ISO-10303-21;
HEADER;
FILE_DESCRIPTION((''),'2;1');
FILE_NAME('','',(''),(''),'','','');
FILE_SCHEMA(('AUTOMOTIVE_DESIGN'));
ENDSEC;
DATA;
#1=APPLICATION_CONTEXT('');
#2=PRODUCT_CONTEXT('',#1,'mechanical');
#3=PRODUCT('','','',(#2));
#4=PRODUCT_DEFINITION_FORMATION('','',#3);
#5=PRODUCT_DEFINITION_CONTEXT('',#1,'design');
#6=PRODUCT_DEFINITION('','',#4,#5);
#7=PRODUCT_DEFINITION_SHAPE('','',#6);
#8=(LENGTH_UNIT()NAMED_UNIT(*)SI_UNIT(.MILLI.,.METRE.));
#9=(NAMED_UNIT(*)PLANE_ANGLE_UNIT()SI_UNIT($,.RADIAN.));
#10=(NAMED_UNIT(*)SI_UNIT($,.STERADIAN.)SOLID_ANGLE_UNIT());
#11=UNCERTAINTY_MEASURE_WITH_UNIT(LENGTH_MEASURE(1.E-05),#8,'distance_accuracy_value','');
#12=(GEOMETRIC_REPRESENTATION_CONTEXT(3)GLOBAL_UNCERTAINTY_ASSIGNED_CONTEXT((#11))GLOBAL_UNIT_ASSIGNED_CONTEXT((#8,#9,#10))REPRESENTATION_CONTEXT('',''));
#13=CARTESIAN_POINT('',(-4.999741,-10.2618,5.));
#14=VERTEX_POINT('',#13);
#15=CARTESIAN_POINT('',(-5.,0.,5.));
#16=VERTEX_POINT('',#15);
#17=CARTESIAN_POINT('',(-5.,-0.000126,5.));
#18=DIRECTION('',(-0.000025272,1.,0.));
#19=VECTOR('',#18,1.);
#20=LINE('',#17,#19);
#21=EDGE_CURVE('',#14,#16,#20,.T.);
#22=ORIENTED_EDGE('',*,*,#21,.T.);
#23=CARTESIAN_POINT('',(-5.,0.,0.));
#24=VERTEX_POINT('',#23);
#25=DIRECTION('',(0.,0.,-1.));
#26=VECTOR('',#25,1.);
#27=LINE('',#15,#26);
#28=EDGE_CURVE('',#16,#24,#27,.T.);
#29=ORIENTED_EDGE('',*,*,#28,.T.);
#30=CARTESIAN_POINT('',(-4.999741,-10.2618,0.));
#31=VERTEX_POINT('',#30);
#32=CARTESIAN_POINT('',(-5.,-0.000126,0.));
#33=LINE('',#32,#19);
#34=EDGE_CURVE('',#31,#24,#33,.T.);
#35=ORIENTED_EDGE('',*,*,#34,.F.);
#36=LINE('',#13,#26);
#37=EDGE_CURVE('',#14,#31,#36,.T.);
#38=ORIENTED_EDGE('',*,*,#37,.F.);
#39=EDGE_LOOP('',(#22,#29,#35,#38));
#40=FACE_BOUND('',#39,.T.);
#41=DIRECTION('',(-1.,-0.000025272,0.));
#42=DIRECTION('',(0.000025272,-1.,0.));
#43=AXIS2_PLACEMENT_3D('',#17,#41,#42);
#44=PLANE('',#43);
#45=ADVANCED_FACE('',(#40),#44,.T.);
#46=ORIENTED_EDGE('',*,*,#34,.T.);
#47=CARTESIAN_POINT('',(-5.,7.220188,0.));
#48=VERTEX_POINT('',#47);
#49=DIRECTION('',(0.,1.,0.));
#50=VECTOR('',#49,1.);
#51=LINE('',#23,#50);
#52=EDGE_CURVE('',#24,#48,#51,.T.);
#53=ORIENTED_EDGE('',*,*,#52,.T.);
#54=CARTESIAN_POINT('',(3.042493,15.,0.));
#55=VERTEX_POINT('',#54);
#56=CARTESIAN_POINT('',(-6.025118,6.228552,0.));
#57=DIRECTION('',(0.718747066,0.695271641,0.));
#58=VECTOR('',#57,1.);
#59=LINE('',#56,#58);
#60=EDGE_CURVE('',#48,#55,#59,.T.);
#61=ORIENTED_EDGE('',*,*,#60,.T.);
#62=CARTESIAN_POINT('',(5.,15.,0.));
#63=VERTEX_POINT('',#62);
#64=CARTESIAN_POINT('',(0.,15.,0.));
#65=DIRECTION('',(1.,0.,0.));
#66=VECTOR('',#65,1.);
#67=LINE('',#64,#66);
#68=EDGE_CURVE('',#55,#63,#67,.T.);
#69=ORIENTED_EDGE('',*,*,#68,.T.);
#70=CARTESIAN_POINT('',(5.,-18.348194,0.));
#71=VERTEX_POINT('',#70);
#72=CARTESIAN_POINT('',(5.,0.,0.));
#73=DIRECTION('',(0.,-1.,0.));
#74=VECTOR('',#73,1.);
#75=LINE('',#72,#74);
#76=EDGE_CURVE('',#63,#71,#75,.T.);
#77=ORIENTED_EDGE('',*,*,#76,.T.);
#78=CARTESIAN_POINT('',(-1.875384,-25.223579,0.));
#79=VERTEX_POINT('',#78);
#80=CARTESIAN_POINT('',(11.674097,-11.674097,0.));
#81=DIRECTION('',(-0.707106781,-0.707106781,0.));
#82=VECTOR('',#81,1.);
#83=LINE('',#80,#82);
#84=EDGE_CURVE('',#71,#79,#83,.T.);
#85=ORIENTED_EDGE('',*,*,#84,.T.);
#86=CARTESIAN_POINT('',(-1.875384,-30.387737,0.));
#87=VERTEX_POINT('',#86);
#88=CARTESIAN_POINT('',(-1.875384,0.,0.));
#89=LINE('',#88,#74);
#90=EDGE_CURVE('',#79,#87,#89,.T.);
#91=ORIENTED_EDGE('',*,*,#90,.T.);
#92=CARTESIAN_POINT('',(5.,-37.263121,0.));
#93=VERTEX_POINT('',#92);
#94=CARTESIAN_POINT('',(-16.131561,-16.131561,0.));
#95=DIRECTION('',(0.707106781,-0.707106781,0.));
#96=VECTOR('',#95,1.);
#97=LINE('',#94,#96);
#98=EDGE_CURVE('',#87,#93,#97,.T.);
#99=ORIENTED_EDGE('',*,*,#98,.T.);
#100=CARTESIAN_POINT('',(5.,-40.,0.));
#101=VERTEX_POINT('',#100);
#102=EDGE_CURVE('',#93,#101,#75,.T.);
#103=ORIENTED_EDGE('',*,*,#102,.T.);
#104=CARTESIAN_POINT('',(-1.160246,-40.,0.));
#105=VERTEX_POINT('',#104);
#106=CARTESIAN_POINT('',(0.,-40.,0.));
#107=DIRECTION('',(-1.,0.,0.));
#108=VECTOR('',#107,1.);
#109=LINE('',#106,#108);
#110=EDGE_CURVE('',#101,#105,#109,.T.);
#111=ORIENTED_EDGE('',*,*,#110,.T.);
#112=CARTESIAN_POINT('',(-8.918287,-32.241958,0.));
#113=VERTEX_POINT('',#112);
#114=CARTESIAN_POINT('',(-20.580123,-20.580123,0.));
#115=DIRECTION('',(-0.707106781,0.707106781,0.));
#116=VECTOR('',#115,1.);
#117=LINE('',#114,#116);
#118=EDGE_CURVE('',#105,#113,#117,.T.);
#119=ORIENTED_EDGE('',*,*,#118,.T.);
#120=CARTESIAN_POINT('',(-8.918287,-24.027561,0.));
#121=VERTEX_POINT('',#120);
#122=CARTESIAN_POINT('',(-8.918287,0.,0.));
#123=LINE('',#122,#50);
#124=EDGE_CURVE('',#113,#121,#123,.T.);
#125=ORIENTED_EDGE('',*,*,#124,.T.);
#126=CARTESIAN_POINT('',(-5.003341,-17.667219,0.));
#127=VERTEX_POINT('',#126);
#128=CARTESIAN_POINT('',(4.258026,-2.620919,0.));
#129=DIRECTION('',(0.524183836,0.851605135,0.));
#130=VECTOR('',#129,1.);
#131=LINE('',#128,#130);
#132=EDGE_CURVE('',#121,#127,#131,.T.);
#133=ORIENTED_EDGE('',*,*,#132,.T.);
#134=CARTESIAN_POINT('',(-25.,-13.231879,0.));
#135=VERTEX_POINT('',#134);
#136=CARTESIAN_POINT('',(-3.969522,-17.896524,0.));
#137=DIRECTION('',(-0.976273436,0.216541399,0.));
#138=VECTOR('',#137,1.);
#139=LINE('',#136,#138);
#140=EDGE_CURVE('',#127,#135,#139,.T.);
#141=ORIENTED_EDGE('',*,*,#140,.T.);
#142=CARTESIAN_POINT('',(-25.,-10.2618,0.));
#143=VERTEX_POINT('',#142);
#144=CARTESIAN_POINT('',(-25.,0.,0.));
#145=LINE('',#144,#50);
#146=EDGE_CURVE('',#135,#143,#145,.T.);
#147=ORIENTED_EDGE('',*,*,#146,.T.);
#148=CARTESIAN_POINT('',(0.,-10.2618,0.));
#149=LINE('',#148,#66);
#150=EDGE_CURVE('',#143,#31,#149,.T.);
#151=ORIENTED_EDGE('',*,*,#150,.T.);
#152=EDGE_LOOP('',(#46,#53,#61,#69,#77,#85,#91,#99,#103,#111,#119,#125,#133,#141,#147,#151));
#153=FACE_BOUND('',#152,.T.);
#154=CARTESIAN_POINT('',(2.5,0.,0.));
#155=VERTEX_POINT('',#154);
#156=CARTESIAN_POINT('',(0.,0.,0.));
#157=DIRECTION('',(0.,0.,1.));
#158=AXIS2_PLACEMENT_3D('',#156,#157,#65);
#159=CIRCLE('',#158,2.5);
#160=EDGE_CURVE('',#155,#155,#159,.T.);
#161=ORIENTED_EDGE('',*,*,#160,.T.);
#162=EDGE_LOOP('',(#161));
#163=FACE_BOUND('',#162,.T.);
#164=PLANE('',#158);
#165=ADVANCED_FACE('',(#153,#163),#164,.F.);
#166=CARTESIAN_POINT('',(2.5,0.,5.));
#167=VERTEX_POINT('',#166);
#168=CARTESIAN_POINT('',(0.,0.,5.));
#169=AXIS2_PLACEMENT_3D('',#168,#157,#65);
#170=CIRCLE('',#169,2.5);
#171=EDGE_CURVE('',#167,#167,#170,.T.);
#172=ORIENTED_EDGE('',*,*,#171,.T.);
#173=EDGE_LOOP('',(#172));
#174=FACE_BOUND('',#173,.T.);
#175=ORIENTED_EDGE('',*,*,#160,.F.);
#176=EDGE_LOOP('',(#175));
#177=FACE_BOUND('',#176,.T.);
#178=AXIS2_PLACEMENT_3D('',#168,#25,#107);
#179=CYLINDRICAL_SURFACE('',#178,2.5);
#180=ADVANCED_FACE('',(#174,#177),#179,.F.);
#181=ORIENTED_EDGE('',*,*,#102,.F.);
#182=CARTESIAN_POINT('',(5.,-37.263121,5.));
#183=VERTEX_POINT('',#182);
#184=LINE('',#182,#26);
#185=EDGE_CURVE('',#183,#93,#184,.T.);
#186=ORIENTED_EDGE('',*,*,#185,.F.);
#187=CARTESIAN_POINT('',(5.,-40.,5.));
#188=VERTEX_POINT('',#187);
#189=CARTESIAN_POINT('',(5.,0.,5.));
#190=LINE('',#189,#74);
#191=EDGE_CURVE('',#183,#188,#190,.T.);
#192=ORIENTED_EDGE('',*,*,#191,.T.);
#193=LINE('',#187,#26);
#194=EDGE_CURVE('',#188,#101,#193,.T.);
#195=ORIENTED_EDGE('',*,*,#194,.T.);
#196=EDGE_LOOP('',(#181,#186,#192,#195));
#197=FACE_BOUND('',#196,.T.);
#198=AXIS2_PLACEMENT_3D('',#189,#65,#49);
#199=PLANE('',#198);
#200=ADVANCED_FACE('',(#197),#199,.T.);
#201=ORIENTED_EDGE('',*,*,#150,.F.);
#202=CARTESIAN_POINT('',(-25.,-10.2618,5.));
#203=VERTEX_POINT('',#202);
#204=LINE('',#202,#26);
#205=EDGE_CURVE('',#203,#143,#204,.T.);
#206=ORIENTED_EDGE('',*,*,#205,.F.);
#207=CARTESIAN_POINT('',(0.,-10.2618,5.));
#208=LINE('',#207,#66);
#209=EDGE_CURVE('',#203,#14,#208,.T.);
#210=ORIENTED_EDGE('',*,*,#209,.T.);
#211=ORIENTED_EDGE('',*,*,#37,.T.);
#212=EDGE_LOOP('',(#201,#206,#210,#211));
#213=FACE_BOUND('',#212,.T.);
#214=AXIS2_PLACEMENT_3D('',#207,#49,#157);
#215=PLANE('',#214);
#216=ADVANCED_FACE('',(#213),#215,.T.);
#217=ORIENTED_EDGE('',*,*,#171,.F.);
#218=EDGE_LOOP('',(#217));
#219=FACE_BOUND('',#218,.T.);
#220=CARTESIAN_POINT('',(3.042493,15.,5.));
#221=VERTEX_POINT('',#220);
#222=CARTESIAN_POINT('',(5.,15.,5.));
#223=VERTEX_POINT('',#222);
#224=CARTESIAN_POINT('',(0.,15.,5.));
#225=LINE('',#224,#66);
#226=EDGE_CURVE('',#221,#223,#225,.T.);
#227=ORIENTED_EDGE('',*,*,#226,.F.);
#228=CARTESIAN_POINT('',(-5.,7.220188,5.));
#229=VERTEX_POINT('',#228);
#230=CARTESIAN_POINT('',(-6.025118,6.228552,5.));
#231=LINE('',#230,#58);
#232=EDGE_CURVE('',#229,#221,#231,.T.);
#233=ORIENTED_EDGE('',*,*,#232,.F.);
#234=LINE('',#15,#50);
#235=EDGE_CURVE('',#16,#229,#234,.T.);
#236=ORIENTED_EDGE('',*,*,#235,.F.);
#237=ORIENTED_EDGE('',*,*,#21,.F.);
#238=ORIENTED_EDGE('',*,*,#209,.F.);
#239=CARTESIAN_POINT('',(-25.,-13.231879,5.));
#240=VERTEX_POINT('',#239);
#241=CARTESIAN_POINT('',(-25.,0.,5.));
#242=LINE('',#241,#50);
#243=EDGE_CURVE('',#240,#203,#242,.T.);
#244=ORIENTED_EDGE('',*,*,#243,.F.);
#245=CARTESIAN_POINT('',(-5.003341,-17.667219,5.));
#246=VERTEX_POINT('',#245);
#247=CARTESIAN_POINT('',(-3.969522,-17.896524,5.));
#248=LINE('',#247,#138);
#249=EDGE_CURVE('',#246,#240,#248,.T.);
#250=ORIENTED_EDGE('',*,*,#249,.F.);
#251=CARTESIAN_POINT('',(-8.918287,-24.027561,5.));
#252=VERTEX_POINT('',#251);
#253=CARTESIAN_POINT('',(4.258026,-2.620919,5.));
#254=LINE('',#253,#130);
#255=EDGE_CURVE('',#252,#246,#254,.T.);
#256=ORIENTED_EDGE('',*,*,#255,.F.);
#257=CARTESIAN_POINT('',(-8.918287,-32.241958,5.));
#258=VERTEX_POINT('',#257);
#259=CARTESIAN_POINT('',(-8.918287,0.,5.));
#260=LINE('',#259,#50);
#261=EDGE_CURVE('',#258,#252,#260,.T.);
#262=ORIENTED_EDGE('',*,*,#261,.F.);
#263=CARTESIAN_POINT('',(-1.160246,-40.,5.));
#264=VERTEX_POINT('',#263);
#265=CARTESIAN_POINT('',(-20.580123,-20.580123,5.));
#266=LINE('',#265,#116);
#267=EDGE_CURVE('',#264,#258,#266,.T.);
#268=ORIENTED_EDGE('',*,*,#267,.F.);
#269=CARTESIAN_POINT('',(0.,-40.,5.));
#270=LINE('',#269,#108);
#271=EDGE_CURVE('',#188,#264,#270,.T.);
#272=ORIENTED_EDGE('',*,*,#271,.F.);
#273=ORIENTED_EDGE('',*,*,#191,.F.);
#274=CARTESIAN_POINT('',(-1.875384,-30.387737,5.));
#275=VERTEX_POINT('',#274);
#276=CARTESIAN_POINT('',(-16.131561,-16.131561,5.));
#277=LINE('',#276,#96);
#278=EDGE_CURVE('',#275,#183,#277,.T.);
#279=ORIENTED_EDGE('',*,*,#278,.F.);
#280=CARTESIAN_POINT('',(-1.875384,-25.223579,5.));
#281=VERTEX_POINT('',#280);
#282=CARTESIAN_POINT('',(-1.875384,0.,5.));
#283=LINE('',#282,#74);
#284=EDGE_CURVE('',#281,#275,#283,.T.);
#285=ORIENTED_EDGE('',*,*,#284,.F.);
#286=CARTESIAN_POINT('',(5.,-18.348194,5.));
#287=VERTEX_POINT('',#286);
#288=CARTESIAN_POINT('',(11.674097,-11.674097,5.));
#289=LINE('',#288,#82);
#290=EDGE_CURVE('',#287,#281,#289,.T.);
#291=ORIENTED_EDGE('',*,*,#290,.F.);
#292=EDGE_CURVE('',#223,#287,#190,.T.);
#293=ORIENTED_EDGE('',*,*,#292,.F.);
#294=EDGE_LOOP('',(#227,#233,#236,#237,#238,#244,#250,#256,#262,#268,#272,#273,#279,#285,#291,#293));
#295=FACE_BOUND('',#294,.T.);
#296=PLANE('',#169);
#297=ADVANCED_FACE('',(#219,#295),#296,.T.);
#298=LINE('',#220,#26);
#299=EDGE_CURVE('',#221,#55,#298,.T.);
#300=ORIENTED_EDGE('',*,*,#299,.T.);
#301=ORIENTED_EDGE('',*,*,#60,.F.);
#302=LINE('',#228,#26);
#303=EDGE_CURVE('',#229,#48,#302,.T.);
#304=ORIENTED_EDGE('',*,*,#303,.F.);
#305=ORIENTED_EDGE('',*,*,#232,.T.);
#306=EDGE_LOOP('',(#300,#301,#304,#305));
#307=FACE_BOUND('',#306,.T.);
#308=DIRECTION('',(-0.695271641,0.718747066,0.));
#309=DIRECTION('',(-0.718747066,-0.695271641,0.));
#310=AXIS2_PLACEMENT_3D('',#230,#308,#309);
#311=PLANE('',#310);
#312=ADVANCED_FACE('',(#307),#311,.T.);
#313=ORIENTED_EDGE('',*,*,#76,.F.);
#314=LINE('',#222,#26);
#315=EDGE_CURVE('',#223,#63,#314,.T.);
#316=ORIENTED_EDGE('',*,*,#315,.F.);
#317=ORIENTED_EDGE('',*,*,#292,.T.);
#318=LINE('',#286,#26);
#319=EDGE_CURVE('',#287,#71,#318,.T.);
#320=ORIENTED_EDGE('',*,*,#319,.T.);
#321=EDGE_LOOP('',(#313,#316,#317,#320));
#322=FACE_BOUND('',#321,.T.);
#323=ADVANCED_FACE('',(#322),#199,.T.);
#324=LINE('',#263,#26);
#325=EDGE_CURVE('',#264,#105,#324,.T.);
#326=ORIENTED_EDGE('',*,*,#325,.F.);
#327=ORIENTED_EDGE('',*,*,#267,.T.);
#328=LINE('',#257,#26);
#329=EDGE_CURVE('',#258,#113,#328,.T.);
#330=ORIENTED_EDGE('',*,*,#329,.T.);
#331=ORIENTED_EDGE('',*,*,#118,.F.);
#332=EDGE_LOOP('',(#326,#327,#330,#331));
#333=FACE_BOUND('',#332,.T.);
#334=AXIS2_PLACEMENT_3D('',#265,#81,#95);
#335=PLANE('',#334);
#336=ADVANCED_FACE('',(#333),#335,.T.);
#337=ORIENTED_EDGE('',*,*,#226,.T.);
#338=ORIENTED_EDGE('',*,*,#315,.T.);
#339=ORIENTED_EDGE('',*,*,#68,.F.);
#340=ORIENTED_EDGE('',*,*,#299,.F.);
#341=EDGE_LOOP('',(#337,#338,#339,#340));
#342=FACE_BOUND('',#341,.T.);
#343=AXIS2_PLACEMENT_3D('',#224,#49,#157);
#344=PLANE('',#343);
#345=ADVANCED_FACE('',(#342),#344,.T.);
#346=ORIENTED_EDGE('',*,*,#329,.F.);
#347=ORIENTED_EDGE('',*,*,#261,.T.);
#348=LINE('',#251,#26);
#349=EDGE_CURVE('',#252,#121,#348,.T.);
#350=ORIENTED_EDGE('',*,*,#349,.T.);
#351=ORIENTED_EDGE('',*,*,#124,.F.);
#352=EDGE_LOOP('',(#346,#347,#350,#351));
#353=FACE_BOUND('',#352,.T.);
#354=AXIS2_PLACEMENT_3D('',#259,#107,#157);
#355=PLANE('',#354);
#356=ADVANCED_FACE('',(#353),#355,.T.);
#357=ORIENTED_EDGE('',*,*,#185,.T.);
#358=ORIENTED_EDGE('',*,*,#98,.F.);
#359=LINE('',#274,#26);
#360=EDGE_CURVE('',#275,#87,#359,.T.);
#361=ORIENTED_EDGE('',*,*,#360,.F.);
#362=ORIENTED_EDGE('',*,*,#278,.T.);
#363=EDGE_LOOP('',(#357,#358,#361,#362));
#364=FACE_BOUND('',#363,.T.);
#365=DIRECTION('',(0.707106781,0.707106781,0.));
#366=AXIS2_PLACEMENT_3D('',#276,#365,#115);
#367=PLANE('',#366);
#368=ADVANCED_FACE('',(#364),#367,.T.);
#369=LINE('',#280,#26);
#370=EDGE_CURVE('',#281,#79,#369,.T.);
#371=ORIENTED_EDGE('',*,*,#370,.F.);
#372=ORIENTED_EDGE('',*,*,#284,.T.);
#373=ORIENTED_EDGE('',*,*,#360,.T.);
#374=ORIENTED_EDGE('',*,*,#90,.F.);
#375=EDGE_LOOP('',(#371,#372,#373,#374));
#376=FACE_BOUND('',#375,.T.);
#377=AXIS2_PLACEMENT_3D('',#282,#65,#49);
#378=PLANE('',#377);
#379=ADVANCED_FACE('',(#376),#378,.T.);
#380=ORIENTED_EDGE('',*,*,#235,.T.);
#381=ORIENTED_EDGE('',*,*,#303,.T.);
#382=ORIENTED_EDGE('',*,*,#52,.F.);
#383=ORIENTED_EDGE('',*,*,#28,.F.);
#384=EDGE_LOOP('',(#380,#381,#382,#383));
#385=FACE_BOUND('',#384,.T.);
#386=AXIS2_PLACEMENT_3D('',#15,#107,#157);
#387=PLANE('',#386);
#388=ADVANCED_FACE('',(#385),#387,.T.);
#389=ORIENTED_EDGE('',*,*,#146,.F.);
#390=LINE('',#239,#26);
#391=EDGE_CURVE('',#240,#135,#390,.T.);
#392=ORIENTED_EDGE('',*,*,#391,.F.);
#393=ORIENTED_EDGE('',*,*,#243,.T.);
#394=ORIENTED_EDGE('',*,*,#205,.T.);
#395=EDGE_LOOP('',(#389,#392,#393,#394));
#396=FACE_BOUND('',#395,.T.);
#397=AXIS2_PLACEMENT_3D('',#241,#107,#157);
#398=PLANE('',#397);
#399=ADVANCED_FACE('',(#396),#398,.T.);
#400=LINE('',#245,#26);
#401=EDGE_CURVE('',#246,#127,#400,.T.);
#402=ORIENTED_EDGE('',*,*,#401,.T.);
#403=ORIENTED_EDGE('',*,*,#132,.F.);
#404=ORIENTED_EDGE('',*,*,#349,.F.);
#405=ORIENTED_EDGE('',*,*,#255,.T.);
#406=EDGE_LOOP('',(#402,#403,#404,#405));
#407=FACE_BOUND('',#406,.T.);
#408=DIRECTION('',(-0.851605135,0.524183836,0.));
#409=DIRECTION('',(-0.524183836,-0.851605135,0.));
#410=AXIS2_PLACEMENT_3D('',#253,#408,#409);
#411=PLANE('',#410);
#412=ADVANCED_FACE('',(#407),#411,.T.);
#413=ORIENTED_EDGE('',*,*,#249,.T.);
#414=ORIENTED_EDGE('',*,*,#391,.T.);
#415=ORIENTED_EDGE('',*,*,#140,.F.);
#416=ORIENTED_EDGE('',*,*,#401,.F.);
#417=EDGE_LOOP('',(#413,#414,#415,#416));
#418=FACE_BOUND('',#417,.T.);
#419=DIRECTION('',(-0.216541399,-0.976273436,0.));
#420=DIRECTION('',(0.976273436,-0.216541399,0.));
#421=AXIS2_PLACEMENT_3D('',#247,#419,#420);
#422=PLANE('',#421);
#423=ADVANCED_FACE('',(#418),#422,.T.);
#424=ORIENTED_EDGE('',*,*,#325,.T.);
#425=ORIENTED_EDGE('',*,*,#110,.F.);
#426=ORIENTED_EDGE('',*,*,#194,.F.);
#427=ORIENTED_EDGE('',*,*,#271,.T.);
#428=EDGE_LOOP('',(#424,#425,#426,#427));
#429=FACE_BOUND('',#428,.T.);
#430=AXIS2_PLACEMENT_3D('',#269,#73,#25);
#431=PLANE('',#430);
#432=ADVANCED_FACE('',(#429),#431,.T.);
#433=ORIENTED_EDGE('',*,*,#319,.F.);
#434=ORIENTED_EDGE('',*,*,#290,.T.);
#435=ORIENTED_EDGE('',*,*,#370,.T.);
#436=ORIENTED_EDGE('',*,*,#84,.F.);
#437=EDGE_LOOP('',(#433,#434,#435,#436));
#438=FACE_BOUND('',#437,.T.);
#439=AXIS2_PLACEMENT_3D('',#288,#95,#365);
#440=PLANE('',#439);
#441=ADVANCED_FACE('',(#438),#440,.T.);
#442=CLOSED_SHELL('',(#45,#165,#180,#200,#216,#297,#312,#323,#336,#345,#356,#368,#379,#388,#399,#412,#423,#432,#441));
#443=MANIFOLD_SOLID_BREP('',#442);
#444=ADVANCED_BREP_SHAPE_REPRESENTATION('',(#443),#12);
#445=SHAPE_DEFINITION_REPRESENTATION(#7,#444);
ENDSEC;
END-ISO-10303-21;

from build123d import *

# Parameters (mm, degrees)
SKETCH_1_R      = 5
SKETCH_1_R_2    = 2.5
EXTRUDE_1_DEPTH = 5


with BuildPart() as part:
    # 스케치1 → 보스-돌출1 (new body)
    # profile 1 of 3: a face of its own
    with BuildSketch(Plane.XY):
        with BuildLine():
            ThreePointArc((-5, 0), (0, 5), (5, 0))
            Line((5, 0), (5, 15))
            Line((5, 15), (3.042493031, 15))
            Line((3.042493031, 15), (-5, 7.220187609))
            Line((-5, 7.220187609), (-5, 0))
        make_face()
    # profile 2 of 3: a face of its own
    with BuildSketch(Plane.XY):
        Circle(SKETCH_1_R)
        Circle(SKETCH_1_R_2, mode=Mode.SUBTRACT)
    # profile 3 of 3: a face of its own
    with BuildSketch(Plane.XY):
        with BuildLine():
            Line((5, -18.348194171), (5, 0))
            ThreePointArc((5, 0), (0, -5), (-5, 0))
            Line((-5, 0), (-4.999740664, -10.261800472))
            Line((-4.999740664, -10.261800472), (-25, -10.261800472))
            Line((-25, -10.261800472), (-25, -13.231879179))
            Line((-25, -13.231879179), (-5.003340767, -17.667219117))
            Line((-5.003340767, -17.667219117), (-8.918287267, -24.027561259))
            Line((-8.918287267, -24.027561259), (-8.918287267, -32.241958326))
            Line((-8.918287267, -32.241958326), (-1.160245593, -40))
            Line((-1.160245593, -40), (5, -40))
            Line((5, -40), (5, -37.263121262))
            Line((5, -37.263121262), (-1.875384477, -30.387736785))
            Line((-1.875384477, -30.387736785), (-1.875384477, -25.223578647))
            Line((-1.875384477, -25.223578647), (5, -18.348194171))
        make_face()
    extrude(amount=EXTRUDE_1_DEPTH)


solid = part.part
